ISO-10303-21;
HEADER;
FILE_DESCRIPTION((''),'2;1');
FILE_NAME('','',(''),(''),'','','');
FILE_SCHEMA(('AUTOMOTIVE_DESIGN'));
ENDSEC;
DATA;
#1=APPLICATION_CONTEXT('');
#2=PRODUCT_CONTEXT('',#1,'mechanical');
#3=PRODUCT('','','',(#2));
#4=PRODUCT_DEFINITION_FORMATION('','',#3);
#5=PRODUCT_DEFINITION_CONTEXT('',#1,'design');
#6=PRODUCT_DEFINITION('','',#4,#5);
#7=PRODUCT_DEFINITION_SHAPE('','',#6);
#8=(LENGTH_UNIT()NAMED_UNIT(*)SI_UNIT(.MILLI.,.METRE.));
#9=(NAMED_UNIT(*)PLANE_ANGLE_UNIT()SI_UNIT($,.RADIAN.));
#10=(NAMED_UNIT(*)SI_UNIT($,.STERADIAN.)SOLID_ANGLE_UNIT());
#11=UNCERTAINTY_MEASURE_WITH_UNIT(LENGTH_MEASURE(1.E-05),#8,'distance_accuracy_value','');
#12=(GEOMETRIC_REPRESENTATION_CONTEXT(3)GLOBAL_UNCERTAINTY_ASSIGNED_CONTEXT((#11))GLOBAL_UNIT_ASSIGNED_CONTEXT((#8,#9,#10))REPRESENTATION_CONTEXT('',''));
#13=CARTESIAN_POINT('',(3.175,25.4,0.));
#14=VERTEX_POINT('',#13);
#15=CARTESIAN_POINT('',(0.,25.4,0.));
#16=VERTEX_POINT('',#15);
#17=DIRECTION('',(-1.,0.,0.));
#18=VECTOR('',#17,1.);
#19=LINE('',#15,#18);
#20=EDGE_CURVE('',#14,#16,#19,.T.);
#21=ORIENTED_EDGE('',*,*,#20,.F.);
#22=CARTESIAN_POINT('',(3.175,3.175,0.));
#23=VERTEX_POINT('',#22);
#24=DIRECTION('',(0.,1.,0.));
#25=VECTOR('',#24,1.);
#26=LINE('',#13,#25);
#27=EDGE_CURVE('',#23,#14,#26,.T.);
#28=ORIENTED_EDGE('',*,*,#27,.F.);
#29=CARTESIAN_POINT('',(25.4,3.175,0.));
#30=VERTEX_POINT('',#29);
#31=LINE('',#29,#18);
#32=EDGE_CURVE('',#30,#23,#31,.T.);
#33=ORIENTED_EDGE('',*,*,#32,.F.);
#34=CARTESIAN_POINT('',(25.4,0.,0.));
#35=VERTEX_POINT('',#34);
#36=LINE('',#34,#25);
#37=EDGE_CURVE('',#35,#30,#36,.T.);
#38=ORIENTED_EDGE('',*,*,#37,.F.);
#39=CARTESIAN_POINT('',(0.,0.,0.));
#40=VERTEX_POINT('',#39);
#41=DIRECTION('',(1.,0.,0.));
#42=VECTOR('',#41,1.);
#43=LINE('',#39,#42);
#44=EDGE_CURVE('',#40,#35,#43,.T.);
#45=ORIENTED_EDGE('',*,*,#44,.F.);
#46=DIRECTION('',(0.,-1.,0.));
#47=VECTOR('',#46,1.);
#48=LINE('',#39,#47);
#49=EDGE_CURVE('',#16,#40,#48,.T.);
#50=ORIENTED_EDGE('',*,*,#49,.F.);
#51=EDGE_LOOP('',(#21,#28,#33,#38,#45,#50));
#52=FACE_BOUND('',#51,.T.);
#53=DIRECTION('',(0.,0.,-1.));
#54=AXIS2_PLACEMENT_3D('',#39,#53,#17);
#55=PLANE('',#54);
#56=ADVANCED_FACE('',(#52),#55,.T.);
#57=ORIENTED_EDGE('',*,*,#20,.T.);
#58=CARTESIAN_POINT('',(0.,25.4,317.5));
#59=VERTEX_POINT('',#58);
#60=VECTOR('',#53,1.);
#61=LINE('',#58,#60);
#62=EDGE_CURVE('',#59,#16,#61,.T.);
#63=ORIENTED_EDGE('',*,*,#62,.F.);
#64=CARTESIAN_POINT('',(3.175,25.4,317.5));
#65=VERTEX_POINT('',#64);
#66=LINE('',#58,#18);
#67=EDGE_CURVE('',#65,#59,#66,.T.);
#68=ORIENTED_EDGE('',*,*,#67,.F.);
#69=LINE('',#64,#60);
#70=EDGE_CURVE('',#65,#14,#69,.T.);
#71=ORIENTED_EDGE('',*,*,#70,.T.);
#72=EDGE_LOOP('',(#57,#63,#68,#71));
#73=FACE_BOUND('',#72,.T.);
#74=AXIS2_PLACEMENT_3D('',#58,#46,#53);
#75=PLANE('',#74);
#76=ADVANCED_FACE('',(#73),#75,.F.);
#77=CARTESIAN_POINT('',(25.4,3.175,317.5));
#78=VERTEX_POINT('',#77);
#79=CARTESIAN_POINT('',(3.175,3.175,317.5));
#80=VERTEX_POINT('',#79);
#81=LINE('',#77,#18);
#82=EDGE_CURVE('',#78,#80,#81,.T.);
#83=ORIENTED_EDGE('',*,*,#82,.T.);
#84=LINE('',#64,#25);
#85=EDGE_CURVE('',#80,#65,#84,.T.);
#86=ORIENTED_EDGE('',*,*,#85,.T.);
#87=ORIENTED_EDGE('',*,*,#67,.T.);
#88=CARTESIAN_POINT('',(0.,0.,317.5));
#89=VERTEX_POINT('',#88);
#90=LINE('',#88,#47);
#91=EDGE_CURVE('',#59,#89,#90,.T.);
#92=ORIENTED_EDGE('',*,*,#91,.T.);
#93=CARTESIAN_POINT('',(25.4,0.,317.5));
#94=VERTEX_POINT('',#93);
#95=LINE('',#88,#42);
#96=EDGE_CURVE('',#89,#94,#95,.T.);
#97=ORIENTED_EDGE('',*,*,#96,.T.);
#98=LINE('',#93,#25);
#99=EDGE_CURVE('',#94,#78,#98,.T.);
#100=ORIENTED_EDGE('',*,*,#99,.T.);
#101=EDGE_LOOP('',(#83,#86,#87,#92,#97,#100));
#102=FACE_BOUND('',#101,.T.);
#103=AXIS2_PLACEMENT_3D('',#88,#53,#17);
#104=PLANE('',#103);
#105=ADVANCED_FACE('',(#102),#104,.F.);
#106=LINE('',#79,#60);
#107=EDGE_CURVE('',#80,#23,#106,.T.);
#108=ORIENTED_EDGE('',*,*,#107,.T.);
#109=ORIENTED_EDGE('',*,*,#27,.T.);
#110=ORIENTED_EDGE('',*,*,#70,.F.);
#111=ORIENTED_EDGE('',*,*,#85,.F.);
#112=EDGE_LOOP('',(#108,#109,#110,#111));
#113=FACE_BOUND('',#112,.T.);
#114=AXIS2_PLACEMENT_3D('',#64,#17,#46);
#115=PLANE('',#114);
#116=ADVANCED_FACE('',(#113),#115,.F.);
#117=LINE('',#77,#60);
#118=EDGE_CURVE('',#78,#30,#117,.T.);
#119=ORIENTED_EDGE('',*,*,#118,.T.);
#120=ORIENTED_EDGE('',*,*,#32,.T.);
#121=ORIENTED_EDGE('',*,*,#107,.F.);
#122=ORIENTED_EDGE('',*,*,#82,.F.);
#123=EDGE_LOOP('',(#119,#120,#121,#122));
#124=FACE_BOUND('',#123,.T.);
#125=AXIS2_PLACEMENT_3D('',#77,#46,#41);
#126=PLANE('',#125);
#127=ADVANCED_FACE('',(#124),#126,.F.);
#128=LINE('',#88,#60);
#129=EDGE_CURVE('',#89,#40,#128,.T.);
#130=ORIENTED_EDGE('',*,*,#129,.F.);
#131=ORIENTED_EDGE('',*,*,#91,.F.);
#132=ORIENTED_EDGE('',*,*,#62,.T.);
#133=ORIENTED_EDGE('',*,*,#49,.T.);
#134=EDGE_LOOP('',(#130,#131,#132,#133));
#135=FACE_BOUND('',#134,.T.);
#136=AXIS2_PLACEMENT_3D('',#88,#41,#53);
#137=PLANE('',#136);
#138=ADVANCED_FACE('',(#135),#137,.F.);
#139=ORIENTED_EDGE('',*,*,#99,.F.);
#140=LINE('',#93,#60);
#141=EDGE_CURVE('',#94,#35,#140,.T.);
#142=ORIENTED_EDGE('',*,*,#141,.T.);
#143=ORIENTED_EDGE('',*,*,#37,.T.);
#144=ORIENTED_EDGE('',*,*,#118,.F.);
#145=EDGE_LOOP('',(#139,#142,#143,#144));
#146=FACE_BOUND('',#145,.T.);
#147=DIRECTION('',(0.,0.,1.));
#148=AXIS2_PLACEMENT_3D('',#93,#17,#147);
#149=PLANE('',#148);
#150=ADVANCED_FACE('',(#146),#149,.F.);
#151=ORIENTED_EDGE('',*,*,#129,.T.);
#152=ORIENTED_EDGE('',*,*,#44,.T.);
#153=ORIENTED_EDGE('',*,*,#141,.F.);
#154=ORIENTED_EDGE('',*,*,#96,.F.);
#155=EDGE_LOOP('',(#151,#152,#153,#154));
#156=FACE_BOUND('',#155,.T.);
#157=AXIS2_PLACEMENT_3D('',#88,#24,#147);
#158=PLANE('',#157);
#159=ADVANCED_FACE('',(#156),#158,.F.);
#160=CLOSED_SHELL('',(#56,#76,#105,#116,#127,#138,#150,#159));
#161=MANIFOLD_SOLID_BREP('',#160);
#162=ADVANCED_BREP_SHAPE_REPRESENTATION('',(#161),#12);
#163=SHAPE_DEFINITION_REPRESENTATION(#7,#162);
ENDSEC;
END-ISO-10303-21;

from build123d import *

# Parameters (mm, degrees)
BOSS_EXTRUDE1_DEPTH = 317.5


with BuildPart() as part:
    # Sketch1 → Boss-Extrude1 (new body)
    with BuildSketch(Plane.XY):
        Polygon((0, 0), (25.4, 0), (25.4, 3.175), (3.175, 3.175), (3.175, 25.4), (0, 25.4), align=None)
    extrude(amount=BOSS_EXTRUDE1_DEPTH)


solid = part.part
